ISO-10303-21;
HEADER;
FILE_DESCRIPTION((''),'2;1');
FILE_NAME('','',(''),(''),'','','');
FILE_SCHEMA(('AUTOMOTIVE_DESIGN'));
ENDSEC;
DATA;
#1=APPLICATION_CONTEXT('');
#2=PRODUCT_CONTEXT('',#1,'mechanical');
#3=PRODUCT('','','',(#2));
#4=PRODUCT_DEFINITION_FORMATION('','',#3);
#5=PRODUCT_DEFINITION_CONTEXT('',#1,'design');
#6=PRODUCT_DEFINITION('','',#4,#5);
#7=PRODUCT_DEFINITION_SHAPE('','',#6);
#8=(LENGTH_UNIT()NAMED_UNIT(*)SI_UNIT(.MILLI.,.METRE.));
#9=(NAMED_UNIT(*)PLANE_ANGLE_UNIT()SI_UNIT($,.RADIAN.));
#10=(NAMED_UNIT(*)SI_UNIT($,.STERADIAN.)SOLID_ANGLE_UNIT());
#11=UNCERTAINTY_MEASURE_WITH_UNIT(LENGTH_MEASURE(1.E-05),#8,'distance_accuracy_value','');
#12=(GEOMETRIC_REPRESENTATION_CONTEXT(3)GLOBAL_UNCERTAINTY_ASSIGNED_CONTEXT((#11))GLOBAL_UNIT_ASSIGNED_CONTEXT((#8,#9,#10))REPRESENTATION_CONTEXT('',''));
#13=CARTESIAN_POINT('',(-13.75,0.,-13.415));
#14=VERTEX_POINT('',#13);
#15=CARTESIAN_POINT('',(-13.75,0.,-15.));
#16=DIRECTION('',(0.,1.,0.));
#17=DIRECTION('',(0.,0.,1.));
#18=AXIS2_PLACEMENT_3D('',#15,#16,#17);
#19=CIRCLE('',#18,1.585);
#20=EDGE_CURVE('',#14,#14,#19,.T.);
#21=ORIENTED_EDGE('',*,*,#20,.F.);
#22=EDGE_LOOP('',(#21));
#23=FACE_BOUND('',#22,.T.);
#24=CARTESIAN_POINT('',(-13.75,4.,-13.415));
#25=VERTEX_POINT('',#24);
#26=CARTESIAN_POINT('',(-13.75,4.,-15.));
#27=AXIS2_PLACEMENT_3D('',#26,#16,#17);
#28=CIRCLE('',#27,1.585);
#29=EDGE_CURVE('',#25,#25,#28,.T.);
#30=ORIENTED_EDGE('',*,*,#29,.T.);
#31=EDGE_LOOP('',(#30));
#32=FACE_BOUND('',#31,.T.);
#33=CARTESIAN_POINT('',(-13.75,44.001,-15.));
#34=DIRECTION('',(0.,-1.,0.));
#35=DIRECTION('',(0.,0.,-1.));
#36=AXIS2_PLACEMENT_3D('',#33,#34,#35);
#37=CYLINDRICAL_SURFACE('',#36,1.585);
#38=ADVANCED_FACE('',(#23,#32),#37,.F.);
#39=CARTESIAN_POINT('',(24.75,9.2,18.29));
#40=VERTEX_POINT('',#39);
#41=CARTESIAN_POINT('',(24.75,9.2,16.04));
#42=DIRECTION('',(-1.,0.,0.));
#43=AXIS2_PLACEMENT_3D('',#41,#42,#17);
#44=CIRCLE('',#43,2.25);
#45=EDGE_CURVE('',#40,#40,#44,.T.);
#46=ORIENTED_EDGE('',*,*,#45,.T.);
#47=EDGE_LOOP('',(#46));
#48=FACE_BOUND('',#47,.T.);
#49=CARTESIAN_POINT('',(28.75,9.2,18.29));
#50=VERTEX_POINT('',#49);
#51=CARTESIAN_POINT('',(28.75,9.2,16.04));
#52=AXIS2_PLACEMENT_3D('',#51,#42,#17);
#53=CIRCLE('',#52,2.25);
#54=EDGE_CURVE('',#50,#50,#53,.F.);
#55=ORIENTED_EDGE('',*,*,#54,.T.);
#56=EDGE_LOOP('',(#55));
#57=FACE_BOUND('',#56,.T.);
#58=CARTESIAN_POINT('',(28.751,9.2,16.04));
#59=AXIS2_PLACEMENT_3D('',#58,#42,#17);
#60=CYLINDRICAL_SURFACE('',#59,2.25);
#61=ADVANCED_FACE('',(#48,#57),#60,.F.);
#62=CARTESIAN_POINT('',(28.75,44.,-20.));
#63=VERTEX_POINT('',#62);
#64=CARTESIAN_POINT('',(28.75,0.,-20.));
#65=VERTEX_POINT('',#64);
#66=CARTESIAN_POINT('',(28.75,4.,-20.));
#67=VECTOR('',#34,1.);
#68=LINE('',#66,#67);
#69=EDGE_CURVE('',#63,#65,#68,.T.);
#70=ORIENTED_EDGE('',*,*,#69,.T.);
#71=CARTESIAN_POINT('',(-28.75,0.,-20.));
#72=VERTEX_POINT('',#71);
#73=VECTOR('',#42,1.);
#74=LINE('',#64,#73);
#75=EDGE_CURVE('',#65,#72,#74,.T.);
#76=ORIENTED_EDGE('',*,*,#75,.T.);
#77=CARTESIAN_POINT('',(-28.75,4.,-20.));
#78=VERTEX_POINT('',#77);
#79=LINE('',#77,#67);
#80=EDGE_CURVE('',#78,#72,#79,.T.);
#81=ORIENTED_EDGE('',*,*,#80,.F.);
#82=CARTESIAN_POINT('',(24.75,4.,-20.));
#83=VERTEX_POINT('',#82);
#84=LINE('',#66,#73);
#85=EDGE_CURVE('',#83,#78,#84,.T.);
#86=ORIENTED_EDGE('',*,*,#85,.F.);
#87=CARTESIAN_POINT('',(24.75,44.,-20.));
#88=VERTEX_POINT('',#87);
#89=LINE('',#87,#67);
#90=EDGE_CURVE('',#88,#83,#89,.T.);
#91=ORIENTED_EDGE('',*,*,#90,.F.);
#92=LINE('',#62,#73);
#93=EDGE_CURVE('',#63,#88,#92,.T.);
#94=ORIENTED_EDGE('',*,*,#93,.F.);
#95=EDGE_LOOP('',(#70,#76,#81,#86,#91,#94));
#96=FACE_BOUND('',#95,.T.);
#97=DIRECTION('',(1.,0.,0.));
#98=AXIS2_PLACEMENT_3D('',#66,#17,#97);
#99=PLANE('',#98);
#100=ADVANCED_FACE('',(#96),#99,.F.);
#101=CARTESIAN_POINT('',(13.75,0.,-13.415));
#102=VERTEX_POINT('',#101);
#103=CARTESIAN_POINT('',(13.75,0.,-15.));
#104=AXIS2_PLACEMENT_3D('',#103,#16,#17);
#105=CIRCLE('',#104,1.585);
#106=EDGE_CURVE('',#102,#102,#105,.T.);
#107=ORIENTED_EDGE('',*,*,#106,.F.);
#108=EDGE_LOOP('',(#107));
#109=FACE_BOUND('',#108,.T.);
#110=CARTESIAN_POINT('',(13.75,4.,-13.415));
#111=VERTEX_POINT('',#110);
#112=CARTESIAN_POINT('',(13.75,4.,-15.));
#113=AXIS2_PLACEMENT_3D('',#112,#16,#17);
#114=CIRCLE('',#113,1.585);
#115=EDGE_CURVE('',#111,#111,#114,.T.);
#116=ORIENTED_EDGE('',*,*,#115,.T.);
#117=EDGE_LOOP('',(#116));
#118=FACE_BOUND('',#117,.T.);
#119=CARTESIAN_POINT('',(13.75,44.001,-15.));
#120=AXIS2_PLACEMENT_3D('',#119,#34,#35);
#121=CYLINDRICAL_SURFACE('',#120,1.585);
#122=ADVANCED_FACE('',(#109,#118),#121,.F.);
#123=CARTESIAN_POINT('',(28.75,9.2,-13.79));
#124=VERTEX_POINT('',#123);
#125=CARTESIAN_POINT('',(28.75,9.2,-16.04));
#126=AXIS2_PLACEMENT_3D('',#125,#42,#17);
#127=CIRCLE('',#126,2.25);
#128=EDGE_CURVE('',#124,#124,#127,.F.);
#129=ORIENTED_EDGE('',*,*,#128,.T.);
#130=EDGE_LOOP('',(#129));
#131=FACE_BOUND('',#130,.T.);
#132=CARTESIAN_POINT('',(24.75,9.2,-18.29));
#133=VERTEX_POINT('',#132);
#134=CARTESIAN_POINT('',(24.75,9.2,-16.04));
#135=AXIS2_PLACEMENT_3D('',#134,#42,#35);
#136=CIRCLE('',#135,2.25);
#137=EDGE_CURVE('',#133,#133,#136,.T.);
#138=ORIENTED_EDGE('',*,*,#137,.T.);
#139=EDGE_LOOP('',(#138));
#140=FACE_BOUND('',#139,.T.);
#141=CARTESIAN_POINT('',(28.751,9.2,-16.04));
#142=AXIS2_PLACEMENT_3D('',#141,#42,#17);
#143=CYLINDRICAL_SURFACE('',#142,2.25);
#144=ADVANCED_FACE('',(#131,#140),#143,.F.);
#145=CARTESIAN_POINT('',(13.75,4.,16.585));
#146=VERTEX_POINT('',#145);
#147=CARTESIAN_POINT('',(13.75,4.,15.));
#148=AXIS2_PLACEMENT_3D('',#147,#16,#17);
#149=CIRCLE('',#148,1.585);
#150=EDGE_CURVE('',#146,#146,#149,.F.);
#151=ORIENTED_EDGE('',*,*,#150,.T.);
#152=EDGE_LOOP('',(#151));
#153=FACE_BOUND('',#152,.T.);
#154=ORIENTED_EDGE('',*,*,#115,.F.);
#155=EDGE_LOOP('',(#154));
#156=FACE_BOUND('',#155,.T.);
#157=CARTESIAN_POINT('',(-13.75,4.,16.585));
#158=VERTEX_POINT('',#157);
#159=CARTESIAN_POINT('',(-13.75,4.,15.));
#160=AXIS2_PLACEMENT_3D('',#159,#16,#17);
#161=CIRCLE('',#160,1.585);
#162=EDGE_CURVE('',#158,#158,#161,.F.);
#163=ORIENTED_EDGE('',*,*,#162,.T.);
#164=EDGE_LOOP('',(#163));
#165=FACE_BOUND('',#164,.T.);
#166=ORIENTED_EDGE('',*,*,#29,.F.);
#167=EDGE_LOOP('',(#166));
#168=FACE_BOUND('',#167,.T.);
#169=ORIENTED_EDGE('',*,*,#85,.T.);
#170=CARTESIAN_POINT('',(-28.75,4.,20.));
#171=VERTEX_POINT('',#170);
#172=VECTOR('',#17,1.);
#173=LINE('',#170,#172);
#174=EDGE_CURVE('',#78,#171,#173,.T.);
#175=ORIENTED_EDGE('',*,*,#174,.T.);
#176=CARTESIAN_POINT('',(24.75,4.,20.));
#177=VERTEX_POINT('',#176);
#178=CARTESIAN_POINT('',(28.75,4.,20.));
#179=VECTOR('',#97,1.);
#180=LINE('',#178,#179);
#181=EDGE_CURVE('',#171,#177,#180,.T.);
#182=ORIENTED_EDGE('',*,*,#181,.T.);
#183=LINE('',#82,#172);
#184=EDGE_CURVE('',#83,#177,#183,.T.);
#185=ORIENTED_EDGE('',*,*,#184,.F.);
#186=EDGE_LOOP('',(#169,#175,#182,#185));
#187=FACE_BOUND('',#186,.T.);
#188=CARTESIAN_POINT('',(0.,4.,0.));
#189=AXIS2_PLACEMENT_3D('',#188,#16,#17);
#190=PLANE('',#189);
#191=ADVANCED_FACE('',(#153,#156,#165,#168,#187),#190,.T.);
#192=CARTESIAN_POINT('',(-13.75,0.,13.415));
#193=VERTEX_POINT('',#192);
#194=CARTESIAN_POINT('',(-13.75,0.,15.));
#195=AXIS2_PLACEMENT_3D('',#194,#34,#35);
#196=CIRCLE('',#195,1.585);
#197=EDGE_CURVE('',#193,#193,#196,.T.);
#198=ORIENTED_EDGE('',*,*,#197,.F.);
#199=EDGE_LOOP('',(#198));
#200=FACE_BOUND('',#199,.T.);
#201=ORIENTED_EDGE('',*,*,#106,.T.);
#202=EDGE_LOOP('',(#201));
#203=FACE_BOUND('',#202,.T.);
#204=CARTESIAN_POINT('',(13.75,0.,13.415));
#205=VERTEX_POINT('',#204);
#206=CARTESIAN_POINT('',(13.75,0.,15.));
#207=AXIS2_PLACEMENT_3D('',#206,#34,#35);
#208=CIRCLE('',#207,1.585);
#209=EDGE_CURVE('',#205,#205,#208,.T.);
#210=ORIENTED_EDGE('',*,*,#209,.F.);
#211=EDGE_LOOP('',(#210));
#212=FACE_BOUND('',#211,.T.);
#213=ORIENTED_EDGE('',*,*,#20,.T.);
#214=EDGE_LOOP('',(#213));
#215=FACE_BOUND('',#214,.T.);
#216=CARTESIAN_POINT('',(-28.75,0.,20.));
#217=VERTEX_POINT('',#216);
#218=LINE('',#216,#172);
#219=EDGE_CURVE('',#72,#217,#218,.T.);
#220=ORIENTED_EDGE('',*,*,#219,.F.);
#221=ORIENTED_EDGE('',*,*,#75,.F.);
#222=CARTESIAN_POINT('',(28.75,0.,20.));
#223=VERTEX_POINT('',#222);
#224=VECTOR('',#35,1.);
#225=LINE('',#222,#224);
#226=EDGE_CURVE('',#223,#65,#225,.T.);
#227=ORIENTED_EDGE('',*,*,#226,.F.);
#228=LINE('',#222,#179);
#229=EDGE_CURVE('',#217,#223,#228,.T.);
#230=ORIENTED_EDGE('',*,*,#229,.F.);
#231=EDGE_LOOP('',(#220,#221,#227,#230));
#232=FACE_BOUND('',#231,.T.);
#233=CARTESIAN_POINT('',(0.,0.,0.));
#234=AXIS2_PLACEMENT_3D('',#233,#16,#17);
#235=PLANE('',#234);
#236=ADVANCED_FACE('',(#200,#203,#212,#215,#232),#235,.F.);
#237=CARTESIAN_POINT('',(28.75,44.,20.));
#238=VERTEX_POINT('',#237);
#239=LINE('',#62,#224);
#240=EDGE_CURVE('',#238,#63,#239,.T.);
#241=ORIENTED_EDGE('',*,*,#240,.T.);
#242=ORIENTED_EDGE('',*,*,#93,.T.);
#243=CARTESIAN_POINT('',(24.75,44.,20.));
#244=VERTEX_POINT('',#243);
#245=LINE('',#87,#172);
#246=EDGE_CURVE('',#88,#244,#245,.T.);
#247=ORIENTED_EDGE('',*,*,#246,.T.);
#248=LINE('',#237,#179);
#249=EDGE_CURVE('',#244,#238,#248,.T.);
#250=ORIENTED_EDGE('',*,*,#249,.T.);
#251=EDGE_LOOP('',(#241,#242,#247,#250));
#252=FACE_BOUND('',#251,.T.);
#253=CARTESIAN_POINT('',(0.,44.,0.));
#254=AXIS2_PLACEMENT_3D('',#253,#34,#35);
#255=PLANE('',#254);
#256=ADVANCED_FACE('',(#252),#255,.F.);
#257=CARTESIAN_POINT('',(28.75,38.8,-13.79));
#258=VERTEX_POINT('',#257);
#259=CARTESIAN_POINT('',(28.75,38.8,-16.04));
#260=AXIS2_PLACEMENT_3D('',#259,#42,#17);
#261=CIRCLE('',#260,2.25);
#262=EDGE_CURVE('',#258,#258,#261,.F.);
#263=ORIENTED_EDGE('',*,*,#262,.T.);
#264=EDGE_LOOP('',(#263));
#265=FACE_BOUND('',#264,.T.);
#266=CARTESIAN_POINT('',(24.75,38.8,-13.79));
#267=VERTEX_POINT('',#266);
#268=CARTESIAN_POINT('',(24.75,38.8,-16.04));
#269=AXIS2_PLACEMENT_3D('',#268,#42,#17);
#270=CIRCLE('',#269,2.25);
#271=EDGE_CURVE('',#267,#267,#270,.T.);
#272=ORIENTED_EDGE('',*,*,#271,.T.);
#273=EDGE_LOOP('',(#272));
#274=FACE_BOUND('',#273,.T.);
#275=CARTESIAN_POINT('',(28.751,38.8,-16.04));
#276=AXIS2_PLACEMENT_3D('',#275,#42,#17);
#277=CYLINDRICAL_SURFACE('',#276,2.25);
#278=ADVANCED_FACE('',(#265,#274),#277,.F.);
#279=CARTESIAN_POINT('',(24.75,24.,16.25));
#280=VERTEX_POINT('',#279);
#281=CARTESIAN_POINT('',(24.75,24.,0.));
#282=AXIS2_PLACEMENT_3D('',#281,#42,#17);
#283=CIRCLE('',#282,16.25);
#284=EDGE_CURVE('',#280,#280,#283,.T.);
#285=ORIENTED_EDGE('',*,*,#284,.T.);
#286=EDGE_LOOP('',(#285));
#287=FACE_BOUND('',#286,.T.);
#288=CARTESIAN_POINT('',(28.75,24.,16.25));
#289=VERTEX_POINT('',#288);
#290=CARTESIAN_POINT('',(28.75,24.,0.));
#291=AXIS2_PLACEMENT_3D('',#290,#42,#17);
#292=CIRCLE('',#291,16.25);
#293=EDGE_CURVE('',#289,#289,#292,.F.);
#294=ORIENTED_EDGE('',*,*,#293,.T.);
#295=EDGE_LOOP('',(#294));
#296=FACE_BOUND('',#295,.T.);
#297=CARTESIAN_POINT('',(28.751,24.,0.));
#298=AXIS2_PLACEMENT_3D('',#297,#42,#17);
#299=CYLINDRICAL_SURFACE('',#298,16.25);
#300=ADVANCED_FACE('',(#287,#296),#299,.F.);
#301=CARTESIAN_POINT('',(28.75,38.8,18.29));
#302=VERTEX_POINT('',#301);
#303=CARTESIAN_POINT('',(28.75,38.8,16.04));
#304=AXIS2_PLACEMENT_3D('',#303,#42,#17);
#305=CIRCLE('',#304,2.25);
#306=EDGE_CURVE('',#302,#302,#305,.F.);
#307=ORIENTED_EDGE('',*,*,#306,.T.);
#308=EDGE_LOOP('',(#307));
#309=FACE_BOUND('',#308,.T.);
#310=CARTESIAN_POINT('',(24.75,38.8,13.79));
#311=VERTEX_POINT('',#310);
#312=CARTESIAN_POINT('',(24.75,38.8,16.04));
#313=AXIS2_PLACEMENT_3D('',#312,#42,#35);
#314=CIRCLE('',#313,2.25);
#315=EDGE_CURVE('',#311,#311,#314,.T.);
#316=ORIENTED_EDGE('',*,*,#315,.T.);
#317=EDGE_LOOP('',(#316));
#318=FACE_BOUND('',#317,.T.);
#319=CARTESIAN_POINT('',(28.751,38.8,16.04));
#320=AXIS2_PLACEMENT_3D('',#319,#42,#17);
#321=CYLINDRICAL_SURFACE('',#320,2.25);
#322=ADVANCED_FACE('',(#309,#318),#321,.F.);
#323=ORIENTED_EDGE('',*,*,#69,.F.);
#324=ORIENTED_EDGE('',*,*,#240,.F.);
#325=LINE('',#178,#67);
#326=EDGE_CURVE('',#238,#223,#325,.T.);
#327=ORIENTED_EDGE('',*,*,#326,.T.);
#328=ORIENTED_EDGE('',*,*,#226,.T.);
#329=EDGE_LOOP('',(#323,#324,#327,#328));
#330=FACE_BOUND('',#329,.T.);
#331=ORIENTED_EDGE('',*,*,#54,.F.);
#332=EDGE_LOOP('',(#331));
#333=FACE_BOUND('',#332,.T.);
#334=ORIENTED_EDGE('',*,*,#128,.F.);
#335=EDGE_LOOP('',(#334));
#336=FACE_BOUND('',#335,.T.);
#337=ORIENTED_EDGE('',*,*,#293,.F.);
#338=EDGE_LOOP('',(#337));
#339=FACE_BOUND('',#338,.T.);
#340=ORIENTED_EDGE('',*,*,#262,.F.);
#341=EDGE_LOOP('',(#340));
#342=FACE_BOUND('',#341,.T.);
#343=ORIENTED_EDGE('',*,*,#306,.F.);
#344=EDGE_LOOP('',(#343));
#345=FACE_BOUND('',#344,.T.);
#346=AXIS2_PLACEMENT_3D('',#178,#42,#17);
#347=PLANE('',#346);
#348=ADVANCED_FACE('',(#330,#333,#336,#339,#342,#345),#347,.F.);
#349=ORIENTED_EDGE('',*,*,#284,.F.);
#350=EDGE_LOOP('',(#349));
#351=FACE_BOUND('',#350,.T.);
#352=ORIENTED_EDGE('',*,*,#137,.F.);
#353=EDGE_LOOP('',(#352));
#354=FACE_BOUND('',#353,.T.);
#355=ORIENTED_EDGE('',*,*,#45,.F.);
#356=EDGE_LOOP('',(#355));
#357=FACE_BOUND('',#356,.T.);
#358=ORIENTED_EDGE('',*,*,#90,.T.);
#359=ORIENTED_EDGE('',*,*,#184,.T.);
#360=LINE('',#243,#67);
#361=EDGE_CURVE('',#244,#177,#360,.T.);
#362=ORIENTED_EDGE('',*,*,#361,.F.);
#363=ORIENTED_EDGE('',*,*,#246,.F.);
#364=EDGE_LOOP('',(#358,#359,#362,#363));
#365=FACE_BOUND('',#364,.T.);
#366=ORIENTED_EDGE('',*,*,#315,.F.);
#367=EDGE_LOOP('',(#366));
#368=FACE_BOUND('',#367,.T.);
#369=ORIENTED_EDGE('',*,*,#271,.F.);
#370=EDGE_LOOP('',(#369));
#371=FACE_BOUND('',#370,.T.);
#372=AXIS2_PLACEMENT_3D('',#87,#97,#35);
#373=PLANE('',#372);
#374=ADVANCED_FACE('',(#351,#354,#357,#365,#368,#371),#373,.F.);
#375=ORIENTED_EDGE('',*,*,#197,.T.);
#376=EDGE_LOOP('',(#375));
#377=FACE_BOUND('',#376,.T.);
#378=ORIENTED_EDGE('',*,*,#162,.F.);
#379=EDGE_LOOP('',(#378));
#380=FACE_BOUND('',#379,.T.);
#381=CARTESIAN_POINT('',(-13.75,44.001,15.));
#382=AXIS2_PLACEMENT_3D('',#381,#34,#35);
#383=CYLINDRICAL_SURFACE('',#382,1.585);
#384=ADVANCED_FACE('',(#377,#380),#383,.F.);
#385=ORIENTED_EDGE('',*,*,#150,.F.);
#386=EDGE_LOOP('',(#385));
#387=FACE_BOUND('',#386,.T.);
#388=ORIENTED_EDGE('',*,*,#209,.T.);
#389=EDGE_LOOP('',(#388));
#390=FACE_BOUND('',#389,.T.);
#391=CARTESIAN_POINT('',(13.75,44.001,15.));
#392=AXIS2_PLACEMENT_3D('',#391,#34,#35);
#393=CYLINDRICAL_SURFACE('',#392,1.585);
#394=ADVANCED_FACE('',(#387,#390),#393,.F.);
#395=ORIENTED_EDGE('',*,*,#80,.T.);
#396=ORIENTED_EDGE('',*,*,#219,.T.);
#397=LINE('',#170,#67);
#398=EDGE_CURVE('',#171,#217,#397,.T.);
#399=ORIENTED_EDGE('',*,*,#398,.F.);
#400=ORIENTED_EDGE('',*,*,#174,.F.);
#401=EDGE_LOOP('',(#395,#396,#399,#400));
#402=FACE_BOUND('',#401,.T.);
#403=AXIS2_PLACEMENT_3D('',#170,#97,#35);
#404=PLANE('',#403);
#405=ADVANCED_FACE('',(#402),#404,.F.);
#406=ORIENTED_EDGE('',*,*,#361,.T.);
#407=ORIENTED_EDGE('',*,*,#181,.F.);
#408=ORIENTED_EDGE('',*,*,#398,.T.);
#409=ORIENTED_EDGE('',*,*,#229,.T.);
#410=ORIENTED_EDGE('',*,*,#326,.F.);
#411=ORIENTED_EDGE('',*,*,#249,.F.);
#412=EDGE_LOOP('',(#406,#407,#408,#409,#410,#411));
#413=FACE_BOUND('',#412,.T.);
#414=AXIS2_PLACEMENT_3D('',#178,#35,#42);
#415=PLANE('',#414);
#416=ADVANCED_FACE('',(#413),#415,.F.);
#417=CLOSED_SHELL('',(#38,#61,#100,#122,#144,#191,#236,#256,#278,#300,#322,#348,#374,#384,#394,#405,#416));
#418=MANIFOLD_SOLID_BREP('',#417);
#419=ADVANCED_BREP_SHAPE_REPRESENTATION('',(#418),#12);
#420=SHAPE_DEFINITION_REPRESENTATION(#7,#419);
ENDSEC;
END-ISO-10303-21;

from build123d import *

# Parameters (mm, degrees)
CROQUIS1_W              = 57.5
CROQUIS1_H              = 40
SALIENTE_EXTRUIR1_DEPTH = 4
CROQUIS3_W              = 4
CROQUIS3_H              = 40
SALIENTE_EXTRUIR3_DEPTH = 40
CORTAR_EXTRUIR1_REACH   = 74.099
CROQUIS5_R              = 2.25
CORTAR_EXTRUIR2_REACH   = 74.099
CROQUIS7_R              = 16.25
CORTAR_EXTRUIR3_REACH   = 58.237
CROQUIS8_R              = 1.585


with BuildPart() as part:
    # Croquis1 → Saliente-Extruir1 (new body)
    with BuildSketch(Plane(origin=(0, 0, 0), x_dir=(1, 0, 0), z_dir=(0, 1, 0))):
        Rectangle(CROQUIS1_W, CROQUIS1_H)
    extrude(amount=SALIENTE_EXTRUIR1_DEPTH)

    # Croquis3 → Saliente-Extruir3 (add)
    with BuildSketch(Plane(origin=(0, 4, 0), x_dir=(1, 0, 0), z_dir=(0, 1, 0))):
        with Locations((26.75, 0)):
            Rectangle(CROQUIS3_W, CROQUIS3_H)
    extrude(amount=SALIENTE_EXTRUIR3_DEPTH)

    # Croquis5 → Cortar-Extruir1 (cut, up to next)
    with BuildSketch(Plane.ZY.offset(-24.75), mode=Mode.PRIVATE) as cortar_extruir1_sk1:
        with Locations((-16.04, 38.8)):
            Circle(CROQUIS5_R)
    cortar_extruir1_tool1 = extrude(cortar_extruir1_sk1.sketch, amount=-CORTAR_EXTRUIR1_REACH, mode=Mode.PRIVATE) & part.part
    # Croquis5 → Cortar-Extruir1 (cut, up to next)
    with BuildSketch(Plane.ZY.offset(-24.75), mode=Mode.PRIVATE) as cortar_extruir1_sk2:
        with Locations((16.04, 38.8)):
            Circle(CROQUIS5_R)
    cortar_extruir1_tool2 = extrude(cortar_extruir1_sk2.sketch, amount=-CORTAR_EXTRUIR1_REACH, mode=Mode.PRIVATE) & part.part
    # Croquis5 → Cortar-Extruir1 (cut, up to next)
    with BuildSketch(Plane.ZY.offset(-24.75), mode=Mode.PRIVATE) as cortar_extruir1_sk3:
        with Locations((16.04, 9.2)):
            Circle(CROQUIS5_R)
    cortar_extruir1_tool3 = extrude(cortar_extruir1_sk3.sketch, amount=-CORTAR_EXTRUIR1_REACH, mode=Mode.PRIVATE) & part.part
    # Croquis5 → Cortar-Extruir1 (cut, up to next)
    with BuildSketch(Plane.ZY.offset(-24.75), mode=Mode.PRIVATE) as cortar_extruir1_sk4:
        with Locations((-16.04, 9.2)):
            Circle(CROQUIS5_R)
    cortar_extruir1_tool4 = extrude(cortar_extruir1_sk4.sketch, amount=-CORTAR_EXTRUIR1_REACH, mode=Mode.PRIVATE) & part.part
    add(cortar_extruir1_tool1.solids().sort_by_distance((24.75, 38.8, -16.04))[0], mode=Mode.SUBTRACT)
    add(cortar_extruir1_tool2.solids().sort_by_distance((24.75, 38.8, 16.04))[0], mode=Mode.SUBTRACT)
    add(cortar_extruir1_tool3.solids().sort_by_distance((24.75, 9.2, 16.04))[0], mode=Mode.SUBTRACT)
    add(cortar_extruir1_tool4.solids().sort_by_distance((24.75, 9.2, -16.04))[0], mode=Mode.SUBTRACT)

    # Croquis7 → Cortar-Extruir2 (cut, up to next)
    with BuildSketch(Plane.ZY.offset(-24.75), mode=Mode.PRIVATE) as cortar_extruir2_sk1:
        with Locations((0, 24)):
            Circle(CROQUIS7_R)
    cortar_extruir2_tool1 = extrude(cortar_extruir2_sk1.sketch, amount=-CORTAR_EXTRUIR2_REACH, mode=Mode.PRIVATE) & part.part
    add(cortar_extruir2_tool1.solids().sort_by_distance((24.75, 24, 0))[0], mode=Mode.SUBTRACT)

    # Croquis8 → Cortar-Extruir3 (cut, up to next)
    with BuildSketch(Plane.XZ, mode=Mode.PRIVATE) as cortar_extruir3_sk1:
        with Locations((-13.75, 15)):
            Circle(CROQUIS8_R)
    cortar_extruir3_tool1 = extrude(cortar_extruir3_sk1.sketch, amount=-CORTAR_EXTRUIR3_REACH, mode=Mode.PRIVATE) & part.part
    # Croquis8 → Cortar-Extruir3 (cut, up to next)
    with BuildSketch(Plane.XZ, mode=Mode.PRIVATE) as cortar_extruir3_sk2:
        with Locations((13.75, 15)):
            Circle(CROQUIS8_R)
    cortar_extruir3_tool2 = extrude(cortar_extruir3_sk2.sketch, amount=-CORTAR_EXTRUIR3_REACH, mode=Mode.PRIVATE) & part.part
    cortar_extruir3_1 = cortar_extruir3_tool1.solids().sort_by_distance((-13.75, 0, 15))[0]
    add(cortar_extruir3_1, mode=Mode.SUBTRACT)
    cortar_extruir3_2 = cortar_extruir3_tool2.solids().sort_by_distance((13.75, 0, 15))[0]
    add(cortar_extruir3_2, mode=Mode.SUBTRACT)
    cortar_extruir3 = cortar_extruir3_1 + cortar_extruir3_2  # Cortar-Extruir3 as one shape, for the pattern or mirror that repeats it

    # Simetría1: Cortar-Extruir3 across plane
    add(cortar_extruir3.mirror(Plane.XY), mode=Mode.SUBTRACT)


solid = part.part
